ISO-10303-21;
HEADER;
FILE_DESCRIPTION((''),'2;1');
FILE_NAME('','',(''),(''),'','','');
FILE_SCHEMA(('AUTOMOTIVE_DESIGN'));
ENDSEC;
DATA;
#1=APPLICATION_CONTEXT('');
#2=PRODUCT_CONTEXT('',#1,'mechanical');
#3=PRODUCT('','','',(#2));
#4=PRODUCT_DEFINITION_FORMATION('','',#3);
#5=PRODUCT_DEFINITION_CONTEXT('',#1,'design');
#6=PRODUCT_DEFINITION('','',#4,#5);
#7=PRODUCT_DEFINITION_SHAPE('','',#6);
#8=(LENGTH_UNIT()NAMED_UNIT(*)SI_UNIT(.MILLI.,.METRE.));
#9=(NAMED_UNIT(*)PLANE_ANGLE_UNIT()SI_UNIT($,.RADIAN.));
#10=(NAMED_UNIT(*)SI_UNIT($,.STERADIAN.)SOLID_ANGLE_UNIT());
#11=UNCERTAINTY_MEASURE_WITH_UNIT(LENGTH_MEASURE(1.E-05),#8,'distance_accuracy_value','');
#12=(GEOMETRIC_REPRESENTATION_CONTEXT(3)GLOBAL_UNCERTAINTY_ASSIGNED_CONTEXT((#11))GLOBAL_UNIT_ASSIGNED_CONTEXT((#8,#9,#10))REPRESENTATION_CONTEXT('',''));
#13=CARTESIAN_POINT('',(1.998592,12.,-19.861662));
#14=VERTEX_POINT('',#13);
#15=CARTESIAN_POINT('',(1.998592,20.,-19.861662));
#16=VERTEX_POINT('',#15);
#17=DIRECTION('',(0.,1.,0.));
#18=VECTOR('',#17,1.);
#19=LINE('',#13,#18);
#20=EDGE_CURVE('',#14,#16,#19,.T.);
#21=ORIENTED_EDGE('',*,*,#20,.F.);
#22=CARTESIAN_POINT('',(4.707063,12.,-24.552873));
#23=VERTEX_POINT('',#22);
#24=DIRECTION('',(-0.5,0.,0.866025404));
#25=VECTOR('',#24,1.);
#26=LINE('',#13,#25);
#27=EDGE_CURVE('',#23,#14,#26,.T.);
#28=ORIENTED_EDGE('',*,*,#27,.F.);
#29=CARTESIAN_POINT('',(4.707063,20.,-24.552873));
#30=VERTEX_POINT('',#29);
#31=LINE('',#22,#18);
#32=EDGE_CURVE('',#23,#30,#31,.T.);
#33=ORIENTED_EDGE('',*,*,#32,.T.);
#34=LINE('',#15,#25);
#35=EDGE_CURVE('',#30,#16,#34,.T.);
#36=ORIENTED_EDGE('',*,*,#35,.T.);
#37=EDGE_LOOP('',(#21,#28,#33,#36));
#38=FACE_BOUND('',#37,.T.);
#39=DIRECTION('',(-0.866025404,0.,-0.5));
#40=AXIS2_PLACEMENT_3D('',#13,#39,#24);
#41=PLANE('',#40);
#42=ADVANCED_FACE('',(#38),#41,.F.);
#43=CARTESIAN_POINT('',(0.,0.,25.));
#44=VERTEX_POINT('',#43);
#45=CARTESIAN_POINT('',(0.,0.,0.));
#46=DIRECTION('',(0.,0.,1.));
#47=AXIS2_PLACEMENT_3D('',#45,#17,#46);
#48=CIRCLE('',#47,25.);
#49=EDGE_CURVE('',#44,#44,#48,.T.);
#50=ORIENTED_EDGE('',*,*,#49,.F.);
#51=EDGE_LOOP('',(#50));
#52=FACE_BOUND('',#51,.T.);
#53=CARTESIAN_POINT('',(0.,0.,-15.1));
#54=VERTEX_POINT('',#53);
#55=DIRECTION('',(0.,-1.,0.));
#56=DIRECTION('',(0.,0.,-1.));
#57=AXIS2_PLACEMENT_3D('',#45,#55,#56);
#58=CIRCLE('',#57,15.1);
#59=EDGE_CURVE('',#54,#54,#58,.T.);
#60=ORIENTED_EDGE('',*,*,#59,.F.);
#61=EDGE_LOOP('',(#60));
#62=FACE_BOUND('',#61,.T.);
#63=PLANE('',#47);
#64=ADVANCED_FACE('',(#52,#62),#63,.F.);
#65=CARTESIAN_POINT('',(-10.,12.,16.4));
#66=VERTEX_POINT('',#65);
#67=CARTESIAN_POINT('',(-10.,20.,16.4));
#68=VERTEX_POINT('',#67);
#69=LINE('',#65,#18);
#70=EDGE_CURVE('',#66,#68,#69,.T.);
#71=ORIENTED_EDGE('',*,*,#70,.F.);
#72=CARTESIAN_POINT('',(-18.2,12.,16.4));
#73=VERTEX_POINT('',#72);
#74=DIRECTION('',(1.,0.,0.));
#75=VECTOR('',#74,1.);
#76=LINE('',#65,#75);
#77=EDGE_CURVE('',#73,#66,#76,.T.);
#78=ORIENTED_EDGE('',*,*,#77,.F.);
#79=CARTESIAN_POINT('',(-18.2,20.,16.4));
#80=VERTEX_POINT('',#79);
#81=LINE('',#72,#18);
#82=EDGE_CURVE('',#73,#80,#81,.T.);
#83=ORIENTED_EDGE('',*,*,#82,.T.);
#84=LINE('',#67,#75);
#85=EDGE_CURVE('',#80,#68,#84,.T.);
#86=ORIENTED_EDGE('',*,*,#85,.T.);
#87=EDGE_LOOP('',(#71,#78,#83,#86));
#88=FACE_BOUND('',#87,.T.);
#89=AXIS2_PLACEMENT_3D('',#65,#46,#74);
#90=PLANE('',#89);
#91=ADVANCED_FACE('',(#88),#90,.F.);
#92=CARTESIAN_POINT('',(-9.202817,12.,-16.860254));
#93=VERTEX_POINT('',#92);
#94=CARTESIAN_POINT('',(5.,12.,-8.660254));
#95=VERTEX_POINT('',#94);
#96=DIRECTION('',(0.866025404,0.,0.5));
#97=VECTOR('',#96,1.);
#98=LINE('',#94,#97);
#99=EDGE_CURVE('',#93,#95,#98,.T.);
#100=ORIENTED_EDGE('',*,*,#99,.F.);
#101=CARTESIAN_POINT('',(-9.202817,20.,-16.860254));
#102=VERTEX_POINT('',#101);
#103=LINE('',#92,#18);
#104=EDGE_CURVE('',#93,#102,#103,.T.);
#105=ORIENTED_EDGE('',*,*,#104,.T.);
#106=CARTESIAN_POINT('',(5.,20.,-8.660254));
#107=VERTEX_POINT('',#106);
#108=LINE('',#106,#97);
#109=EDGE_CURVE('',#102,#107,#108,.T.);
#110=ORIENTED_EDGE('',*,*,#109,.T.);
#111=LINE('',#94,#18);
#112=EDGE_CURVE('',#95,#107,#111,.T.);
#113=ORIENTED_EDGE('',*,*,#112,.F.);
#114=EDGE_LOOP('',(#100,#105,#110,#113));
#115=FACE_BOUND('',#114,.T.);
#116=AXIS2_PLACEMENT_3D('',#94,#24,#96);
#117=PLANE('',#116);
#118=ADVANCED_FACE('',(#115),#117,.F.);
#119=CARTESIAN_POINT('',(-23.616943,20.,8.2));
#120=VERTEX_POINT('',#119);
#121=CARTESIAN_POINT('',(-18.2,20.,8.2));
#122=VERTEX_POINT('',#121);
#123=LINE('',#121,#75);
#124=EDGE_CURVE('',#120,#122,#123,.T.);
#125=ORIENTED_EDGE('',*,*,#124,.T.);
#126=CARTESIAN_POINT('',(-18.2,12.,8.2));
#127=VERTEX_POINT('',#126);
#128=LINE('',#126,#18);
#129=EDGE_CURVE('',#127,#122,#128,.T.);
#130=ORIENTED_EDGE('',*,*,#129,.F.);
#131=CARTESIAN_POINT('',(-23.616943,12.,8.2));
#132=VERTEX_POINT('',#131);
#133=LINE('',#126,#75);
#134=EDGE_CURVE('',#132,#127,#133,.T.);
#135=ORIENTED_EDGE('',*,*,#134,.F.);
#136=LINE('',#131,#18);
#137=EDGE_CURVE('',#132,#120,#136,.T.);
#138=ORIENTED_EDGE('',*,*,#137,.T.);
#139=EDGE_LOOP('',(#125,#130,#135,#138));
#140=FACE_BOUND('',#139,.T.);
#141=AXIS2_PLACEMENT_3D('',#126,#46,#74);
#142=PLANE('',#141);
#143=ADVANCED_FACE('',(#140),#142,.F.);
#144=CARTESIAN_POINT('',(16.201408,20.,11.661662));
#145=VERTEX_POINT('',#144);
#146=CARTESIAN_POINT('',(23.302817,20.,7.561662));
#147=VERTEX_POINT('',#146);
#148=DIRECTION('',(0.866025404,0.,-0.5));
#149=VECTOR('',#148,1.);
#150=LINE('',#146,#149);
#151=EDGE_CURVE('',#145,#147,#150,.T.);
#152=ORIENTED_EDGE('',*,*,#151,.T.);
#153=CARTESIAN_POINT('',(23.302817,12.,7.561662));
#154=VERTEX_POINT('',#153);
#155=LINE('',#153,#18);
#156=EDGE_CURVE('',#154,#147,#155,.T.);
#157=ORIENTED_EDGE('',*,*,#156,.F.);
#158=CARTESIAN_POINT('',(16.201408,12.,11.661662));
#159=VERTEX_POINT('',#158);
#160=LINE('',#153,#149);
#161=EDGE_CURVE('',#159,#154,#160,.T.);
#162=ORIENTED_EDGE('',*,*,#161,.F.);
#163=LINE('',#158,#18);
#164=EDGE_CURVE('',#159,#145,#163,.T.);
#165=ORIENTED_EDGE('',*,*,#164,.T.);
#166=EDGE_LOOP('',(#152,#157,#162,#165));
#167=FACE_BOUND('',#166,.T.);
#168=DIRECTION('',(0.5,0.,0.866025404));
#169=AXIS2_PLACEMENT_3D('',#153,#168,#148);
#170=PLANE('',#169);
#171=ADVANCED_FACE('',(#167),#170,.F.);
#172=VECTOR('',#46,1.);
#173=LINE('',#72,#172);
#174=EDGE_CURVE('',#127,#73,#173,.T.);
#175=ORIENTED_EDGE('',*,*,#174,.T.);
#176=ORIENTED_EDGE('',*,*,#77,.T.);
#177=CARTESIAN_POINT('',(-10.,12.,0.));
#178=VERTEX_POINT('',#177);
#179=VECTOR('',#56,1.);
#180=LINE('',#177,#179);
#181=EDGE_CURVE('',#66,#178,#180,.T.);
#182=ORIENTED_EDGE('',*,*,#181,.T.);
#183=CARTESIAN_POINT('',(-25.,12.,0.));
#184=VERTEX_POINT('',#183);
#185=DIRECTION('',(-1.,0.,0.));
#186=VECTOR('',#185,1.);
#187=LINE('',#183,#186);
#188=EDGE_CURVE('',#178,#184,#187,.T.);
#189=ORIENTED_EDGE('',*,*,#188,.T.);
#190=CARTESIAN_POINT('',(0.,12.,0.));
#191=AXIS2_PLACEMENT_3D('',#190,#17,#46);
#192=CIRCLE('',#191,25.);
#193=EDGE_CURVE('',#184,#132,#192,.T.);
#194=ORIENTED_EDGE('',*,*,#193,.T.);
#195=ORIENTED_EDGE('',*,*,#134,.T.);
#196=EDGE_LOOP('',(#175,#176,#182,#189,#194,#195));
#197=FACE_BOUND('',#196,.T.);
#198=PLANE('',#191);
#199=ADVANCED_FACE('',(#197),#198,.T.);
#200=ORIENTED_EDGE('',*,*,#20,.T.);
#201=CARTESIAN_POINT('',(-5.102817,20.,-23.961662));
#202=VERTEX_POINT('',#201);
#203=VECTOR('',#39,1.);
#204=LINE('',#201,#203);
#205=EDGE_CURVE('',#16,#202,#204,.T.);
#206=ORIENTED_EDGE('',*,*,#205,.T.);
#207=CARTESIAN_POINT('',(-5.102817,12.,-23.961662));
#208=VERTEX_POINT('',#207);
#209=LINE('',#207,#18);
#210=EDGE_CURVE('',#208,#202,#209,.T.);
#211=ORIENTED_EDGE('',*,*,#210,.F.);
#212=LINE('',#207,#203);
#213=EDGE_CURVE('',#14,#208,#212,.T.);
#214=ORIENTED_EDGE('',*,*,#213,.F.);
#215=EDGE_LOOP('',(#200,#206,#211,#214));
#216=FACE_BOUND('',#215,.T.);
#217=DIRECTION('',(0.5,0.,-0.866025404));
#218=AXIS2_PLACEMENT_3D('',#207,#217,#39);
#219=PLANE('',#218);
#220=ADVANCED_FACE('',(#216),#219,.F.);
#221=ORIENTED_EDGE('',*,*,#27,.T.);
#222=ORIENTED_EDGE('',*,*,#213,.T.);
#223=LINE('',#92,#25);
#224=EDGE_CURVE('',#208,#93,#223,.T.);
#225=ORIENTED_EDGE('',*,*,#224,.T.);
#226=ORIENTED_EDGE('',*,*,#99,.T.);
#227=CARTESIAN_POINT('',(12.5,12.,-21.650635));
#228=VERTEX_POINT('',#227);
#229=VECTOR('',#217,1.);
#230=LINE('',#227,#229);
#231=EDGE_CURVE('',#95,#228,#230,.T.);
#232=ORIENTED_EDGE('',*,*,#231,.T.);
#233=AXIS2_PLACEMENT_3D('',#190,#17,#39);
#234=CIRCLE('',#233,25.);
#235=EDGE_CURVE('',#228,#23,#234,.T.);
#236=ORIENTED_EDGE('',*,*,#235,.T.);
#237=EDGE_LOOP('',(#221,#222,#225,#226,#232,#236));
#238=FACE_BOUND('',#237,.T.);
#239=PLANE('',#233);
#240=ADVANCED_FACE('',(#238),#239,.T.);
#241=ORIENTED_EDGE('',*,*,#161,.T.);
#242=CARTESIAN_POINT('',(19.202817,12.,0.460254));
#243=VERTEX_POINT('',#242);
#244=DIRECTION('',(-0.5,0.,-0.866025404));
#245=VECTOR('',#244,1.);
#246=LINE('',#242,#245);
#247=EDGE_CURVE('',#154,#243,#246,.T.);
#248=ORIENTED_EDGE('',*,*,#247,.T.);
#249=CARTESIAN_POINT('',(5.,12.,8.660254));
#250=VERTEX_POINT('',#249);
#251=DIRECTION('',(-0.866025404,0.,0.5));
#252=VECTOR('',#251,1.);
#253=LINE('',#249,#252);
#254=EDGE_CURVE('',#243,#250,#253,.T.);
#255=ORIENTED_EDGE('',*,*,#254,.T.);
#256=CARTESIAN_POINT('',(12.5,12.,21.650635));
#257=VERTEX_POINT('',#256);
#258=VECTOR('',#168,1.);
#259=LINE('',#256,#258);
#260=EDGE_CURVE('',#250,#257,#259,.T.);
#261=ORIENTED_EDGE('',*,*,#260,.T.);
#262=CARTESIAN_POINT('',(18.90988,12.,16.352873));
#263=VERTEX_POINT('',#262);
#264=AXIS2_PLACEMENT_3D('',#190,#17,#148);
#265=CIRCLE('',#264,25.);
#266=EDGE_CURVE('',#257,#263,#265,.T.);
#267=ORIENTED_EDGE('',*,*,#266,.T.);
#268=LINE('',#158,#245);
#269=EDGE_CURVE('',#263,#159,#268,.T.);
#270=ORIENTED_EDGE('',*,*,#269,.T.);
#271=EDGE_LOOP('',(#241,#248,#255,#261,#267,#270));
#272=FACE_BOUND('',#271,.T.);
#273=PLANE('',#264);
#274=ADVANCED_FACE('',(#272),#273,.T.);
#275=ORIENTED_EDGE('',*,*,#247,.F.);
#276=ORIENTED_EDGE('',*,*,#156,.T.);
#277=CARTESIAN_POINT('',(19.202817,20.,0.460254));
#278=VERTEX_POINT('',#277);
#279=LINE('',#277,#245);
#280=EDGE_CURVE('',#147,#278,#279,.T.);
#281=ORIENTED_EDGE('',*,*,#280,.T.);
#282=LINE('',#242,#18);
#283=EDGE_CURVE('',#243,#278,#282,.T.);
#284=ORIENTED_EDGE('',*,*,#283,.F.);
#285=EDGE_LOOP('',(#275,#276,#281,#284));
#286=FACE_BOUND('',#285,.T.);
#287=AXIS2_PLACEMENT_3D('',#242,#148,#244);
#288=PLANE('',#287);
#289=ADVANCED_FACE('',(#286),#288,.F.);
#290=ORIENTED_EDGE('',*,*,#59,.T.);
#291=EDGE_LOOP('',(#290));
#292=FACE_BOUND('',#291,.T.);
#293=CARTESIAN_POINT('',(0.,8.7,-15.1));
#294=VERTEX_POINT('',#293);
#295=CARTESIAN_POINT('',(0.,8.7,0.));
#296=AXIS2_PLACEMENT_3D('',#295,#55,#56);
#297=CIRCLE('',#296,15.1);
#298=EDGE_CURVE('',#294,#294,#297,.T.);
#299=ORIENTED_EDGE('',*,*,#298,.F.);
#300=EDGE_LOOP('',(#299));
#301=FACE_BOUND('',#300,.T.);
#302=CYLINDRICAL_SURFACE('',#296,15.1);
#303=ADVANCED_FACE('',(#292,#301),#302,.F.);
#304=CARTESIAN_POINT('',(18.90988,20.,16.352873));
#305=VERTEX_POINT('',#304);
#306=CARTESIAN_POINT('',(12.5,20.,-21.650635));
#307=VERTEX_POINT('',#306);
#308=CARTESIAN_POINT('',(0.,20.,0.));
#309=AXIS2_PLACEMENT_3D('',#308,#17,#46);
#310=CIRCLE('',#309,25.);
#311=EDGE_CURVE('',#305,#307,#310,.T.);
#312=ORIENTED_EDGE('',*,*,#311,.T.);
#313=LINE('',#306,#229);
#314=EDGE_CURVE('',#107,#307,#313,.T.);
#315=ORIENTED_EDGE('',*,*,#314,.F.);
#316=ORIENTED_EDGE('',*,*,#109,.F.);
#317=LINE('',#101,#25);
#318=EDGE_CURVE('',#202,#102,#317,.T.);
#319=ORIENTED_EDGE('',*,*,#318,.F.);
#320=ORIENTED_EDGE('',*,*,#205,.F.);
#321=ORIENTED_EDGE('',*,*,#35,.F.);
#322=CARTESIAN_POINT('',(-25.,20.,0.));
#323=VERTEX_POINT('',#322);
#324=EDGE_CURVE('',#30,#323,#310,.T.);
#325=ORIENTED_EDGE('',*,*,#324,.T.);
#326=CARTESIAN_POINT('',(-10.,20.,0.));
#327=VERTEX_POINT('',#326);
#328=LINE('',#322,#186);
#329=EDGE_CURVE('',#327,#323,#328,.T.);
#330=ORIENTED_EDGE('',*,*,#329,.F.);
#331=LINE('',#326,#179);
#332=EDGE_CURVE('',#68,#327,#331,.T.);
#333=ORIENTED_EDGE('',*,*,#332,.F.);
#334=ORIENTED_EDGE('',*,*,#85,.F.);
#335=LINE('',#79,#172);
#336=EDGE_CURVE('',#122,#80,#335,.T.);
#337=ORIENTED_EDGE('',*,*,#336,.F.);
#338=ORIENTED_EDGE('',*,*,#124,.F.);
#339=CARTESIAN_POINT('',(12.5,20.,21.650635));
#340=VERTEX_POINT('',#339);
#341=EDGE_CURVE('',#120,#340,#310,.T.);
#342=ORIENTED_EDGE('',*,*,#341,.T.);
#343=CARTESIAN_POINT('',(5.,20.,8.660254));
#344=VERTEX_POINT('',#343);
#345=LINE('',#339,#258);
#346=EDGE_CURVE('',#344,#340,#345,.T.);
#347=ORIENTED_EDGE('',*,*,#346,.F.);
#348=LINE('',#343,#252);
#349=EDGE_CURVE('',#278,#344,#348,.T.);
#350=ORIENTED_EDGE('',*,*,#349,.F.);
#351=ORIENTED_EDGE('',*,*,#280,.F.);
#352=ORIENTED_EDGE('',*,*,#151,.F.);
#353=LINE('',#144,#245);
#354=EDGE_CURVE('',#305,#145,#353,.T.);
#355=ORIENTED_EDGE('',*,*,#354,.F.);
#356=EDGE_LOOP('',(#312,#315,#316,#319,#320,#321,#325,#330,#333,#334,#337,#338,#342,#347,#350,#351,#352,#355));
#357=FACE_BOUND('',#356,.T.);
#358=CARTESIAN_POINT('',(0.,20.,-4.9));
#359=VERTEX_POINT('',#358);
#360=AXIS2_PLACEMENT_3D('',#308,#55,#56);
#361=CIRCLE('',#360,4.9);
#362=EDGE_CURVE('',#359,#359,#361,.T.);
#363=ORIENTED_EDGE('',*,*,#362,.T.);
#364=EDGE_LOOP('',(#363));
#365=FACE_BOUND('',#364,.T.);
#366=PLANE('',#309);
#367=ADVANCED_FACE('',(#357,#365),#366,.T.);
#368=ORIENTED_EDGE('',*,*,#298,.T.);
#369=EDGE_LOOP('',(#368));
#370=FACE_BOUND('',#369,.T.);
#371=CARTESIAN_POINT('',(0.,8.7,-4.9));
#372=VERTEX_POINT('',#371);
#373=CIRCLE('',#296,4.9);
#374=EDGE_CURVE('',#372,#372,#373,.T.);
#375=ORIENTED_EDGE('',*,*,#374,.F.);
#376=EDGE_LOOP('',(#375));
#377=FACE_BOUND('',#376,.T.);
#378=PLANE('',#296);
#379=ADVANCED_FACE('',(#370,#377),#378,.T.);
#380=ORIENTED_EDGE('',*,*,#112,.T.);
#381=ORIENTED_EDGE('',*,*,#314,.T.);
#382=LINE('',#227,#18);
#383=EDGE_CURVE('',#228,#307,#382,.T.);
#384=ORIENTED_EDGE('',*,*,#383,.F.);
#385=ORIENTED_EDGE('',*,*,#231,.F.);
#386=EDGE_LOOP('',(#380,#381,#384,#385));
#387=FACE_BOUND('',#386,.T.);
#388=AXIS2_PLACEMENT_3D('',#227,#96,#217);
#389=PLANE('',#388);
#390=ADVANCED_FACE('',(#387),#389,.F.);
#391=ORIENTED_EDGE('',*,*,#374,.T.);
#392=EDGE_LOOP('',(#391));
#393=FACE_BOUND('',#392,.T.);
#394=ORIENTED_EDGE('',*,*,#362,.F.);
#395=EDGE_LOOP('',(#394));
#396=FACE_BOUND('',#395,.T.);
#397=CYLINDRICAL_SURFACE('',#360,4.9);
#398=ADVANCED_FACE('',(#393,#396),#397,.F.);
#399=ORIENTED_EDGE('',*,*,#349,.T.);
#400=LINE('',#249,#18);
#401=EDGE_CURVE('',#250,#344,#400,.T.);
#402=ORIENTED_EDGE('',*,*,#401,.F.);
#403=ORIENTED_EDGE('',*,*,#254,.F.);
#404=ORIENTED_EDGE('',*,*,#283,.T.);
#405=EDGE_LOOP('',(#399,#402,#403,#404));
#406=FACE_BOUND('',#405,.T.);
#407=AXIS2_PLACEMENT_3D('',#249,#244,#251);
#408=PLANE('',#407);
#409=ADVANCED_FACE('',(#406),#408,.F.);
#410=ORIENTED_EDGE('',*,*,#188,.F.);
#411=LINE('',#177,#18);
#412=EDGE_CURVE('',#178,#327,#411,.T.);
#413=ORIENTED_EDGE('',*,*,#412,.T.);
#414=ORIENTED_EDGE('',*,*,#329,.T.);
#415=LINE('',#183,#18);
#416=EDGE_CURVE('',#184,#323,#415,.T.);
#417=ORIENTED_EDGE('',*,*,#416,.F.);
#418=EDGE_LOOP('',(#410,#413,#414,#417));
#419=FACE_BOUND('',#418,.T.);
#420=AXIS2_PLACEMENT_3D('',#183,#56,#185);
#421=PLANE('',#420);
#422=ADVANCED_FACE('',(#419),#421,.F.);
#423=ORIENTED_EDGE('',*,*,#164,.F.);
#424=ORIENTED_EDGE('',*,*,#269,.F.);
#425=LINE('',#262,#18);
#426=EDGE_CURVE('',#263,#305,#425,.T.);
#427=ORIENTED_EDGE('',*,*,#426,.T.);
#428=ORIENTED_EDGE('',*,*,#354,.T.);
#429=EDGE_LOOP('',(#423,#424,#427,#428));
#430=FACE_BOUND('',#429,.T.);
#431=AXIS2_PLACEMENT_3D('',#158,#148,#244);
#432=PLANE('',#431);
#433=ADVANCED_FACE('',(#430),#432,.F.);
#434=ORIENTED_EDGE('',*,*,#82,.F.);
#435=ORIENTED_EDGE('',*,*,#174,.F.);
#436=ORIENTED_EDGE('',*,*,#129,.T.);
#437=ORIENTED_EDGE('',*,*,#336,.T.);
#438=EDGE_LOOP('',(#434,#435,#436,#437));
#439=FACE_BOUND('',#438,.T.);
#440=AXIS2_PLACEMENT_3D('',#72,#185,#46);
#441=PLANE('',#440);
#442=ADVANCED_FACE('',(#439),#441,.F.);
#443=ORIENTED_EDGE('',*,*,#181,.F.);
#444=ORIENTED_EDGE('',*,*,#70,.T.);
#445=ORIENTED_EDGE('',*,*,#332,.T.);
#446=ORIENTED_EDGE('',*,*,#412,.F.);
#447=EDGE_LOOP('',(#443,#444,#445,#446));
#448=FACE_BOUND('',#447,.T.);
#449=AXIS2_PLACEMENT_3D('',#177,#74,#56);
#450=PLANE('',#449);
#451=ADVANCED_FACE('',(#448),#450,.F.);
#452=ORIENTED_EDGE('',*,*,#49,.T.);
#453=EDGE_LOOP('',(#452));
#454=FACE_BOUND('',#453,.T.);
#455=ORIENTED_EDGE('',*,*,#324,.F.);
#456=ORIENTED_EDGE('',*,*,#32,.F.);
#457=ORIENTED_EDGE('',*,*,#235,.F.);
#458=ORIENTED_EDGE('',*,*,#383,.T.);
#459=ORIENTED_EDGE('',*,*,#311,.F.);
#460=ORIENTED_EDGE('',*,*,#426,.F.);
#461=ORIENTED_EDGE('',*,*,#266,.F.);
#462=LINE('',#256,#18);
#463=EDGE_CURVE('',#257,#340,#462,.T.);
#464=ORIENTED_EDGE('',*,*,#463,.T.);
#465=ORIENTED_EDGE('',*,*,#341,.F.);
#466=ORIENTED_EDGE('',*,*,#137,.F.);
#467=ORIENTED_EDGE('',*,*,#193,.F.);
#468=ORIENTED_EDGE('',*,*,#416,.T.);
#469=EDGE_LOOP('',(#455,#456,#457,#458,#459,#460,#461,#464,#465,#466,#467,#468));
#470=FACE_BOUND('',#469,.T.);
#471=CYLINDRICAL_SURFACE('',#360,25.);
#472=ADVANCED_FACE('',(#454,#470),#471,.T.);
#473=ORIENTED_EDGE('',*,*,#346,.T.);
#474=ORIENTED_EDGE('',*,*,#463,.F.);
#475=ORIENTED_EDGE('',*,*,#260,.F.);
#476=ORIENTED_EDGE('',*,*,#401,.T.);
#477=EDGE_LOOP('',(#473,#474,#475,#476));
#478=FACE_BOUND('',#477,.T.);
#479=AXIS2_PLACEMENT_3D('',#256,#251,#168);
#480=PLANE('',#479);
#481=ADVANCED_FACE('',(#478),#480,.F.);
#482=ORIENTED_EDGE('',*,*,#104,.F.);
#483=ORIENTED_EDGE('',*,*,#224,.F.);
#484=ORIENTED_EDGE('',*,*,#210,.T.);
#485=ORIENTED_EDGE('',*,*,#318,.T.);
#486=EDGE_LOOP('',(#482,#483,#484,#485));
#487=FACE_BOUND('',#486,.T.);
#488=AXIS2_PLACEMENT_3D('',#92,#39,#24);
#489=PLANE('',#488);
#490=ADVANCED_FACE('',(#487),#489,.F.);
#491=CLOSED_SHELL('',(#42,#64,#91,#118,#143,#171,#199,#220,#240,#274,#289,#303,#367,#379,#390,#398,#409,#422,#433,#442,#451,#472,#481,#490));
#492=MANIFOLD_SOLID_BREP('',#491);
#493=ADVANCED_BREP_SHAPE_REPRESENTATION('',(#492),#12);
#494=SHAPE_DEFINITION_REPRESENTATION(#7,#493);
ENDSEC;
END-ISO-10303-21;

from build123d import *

# Parameters (mm, degrees)
SKETCH1_R           = 25
BOSS_EXTRUDE1_DEPTH = 20
CUT_EXTRUDE1_START  = -8
CUT_EXTRUDE1_DEPTH  = 8
CIRPATTERN1_COUNT   = 3
SKETCH7_R           = 15.1
CUT_EXTRUDE3_DEPTH  = 8.7
SKETCH8_R           = 4.9
CUT_EXTRUDE4_DEPTH  = 38.117246665


with BuildPart() as part:
    # Sketch1 → Boss-Extrude1 (new body)
    with BuildSketch(Plane(origin=(0, 0, 0), x_dir=(1, 0, 0), z_dir=(0, 1, 0))):
        with Locations(Location((0, 0, 0), (0, 0, 270))):
            Circle(SKETCH1_R)
    extrude(amount=BOSS_EXTRUDE1_DEPTH)

    # Sketch2 → Cut-Extrude1 (cut)
    with BuildSketch(Plane(origin=(0, 20, 0), x_dir=(1, 0, 0), z_dir=(0, 1, 0)).offset(CUT_EXTRUDE1_START)):
        with BuildLine():
            Line((-25, 0), (-10, 0))
            Line((-10, 0), (-10, -16.4))
            Line((-10, -16.4), (-18.2, -16.4))
            Line((-18.2, -16.4), (-18.2, -8.2))
            Line((-18.2, -8.2), (-23.616943071, -8.2))
            ThreePointArc((-23.616943071, -8.2), (-24.651811057, -4.157909525), (-25, 0))
        make_face()
    cut_extrude1 = extrude(amount=CUT_EXTRUDE1_DEPTH, mode=Mode.SUBTRACT)

    # CirPattern1: Cut-Extrude1 ×3 about axis
    cirpattern1_axis = Axis((0, 0, 0), (0, 1, 0))
    for i in range(1, CIRPATTERN1_COUNT):
        add(cut_extrude1.rotate(cirpattern1_axis, i * 360 / CIRPATTERN1_COUNT), mode=Mode.SUBTRACT)

    # Sketch7 → Cut-Extrude3 (cut)
    with BuildSketch(Plane.XZ):
        with Locations(Location((0, 0, 0), (0, 0, 270))):
            Circle(SKETCH7_R)
    extrude(amount=-CUT_EXTRUDE3_DEPTH, mode=Mode.SUBTRACT)

    # Sketch8 → Cut-Extrude4 (cut, through all)
    with BuildSketch(Plane.XZ.offset(-8.7)):
        with Locations(Location((0, 0, 0), (0, 0, 270))):
            Circle(SKETCH8_R)
    extrude(amount=-CUT_EXTRUDE4_DEPTH, mode=Mode.SUBTRACT)


solid = part.part
